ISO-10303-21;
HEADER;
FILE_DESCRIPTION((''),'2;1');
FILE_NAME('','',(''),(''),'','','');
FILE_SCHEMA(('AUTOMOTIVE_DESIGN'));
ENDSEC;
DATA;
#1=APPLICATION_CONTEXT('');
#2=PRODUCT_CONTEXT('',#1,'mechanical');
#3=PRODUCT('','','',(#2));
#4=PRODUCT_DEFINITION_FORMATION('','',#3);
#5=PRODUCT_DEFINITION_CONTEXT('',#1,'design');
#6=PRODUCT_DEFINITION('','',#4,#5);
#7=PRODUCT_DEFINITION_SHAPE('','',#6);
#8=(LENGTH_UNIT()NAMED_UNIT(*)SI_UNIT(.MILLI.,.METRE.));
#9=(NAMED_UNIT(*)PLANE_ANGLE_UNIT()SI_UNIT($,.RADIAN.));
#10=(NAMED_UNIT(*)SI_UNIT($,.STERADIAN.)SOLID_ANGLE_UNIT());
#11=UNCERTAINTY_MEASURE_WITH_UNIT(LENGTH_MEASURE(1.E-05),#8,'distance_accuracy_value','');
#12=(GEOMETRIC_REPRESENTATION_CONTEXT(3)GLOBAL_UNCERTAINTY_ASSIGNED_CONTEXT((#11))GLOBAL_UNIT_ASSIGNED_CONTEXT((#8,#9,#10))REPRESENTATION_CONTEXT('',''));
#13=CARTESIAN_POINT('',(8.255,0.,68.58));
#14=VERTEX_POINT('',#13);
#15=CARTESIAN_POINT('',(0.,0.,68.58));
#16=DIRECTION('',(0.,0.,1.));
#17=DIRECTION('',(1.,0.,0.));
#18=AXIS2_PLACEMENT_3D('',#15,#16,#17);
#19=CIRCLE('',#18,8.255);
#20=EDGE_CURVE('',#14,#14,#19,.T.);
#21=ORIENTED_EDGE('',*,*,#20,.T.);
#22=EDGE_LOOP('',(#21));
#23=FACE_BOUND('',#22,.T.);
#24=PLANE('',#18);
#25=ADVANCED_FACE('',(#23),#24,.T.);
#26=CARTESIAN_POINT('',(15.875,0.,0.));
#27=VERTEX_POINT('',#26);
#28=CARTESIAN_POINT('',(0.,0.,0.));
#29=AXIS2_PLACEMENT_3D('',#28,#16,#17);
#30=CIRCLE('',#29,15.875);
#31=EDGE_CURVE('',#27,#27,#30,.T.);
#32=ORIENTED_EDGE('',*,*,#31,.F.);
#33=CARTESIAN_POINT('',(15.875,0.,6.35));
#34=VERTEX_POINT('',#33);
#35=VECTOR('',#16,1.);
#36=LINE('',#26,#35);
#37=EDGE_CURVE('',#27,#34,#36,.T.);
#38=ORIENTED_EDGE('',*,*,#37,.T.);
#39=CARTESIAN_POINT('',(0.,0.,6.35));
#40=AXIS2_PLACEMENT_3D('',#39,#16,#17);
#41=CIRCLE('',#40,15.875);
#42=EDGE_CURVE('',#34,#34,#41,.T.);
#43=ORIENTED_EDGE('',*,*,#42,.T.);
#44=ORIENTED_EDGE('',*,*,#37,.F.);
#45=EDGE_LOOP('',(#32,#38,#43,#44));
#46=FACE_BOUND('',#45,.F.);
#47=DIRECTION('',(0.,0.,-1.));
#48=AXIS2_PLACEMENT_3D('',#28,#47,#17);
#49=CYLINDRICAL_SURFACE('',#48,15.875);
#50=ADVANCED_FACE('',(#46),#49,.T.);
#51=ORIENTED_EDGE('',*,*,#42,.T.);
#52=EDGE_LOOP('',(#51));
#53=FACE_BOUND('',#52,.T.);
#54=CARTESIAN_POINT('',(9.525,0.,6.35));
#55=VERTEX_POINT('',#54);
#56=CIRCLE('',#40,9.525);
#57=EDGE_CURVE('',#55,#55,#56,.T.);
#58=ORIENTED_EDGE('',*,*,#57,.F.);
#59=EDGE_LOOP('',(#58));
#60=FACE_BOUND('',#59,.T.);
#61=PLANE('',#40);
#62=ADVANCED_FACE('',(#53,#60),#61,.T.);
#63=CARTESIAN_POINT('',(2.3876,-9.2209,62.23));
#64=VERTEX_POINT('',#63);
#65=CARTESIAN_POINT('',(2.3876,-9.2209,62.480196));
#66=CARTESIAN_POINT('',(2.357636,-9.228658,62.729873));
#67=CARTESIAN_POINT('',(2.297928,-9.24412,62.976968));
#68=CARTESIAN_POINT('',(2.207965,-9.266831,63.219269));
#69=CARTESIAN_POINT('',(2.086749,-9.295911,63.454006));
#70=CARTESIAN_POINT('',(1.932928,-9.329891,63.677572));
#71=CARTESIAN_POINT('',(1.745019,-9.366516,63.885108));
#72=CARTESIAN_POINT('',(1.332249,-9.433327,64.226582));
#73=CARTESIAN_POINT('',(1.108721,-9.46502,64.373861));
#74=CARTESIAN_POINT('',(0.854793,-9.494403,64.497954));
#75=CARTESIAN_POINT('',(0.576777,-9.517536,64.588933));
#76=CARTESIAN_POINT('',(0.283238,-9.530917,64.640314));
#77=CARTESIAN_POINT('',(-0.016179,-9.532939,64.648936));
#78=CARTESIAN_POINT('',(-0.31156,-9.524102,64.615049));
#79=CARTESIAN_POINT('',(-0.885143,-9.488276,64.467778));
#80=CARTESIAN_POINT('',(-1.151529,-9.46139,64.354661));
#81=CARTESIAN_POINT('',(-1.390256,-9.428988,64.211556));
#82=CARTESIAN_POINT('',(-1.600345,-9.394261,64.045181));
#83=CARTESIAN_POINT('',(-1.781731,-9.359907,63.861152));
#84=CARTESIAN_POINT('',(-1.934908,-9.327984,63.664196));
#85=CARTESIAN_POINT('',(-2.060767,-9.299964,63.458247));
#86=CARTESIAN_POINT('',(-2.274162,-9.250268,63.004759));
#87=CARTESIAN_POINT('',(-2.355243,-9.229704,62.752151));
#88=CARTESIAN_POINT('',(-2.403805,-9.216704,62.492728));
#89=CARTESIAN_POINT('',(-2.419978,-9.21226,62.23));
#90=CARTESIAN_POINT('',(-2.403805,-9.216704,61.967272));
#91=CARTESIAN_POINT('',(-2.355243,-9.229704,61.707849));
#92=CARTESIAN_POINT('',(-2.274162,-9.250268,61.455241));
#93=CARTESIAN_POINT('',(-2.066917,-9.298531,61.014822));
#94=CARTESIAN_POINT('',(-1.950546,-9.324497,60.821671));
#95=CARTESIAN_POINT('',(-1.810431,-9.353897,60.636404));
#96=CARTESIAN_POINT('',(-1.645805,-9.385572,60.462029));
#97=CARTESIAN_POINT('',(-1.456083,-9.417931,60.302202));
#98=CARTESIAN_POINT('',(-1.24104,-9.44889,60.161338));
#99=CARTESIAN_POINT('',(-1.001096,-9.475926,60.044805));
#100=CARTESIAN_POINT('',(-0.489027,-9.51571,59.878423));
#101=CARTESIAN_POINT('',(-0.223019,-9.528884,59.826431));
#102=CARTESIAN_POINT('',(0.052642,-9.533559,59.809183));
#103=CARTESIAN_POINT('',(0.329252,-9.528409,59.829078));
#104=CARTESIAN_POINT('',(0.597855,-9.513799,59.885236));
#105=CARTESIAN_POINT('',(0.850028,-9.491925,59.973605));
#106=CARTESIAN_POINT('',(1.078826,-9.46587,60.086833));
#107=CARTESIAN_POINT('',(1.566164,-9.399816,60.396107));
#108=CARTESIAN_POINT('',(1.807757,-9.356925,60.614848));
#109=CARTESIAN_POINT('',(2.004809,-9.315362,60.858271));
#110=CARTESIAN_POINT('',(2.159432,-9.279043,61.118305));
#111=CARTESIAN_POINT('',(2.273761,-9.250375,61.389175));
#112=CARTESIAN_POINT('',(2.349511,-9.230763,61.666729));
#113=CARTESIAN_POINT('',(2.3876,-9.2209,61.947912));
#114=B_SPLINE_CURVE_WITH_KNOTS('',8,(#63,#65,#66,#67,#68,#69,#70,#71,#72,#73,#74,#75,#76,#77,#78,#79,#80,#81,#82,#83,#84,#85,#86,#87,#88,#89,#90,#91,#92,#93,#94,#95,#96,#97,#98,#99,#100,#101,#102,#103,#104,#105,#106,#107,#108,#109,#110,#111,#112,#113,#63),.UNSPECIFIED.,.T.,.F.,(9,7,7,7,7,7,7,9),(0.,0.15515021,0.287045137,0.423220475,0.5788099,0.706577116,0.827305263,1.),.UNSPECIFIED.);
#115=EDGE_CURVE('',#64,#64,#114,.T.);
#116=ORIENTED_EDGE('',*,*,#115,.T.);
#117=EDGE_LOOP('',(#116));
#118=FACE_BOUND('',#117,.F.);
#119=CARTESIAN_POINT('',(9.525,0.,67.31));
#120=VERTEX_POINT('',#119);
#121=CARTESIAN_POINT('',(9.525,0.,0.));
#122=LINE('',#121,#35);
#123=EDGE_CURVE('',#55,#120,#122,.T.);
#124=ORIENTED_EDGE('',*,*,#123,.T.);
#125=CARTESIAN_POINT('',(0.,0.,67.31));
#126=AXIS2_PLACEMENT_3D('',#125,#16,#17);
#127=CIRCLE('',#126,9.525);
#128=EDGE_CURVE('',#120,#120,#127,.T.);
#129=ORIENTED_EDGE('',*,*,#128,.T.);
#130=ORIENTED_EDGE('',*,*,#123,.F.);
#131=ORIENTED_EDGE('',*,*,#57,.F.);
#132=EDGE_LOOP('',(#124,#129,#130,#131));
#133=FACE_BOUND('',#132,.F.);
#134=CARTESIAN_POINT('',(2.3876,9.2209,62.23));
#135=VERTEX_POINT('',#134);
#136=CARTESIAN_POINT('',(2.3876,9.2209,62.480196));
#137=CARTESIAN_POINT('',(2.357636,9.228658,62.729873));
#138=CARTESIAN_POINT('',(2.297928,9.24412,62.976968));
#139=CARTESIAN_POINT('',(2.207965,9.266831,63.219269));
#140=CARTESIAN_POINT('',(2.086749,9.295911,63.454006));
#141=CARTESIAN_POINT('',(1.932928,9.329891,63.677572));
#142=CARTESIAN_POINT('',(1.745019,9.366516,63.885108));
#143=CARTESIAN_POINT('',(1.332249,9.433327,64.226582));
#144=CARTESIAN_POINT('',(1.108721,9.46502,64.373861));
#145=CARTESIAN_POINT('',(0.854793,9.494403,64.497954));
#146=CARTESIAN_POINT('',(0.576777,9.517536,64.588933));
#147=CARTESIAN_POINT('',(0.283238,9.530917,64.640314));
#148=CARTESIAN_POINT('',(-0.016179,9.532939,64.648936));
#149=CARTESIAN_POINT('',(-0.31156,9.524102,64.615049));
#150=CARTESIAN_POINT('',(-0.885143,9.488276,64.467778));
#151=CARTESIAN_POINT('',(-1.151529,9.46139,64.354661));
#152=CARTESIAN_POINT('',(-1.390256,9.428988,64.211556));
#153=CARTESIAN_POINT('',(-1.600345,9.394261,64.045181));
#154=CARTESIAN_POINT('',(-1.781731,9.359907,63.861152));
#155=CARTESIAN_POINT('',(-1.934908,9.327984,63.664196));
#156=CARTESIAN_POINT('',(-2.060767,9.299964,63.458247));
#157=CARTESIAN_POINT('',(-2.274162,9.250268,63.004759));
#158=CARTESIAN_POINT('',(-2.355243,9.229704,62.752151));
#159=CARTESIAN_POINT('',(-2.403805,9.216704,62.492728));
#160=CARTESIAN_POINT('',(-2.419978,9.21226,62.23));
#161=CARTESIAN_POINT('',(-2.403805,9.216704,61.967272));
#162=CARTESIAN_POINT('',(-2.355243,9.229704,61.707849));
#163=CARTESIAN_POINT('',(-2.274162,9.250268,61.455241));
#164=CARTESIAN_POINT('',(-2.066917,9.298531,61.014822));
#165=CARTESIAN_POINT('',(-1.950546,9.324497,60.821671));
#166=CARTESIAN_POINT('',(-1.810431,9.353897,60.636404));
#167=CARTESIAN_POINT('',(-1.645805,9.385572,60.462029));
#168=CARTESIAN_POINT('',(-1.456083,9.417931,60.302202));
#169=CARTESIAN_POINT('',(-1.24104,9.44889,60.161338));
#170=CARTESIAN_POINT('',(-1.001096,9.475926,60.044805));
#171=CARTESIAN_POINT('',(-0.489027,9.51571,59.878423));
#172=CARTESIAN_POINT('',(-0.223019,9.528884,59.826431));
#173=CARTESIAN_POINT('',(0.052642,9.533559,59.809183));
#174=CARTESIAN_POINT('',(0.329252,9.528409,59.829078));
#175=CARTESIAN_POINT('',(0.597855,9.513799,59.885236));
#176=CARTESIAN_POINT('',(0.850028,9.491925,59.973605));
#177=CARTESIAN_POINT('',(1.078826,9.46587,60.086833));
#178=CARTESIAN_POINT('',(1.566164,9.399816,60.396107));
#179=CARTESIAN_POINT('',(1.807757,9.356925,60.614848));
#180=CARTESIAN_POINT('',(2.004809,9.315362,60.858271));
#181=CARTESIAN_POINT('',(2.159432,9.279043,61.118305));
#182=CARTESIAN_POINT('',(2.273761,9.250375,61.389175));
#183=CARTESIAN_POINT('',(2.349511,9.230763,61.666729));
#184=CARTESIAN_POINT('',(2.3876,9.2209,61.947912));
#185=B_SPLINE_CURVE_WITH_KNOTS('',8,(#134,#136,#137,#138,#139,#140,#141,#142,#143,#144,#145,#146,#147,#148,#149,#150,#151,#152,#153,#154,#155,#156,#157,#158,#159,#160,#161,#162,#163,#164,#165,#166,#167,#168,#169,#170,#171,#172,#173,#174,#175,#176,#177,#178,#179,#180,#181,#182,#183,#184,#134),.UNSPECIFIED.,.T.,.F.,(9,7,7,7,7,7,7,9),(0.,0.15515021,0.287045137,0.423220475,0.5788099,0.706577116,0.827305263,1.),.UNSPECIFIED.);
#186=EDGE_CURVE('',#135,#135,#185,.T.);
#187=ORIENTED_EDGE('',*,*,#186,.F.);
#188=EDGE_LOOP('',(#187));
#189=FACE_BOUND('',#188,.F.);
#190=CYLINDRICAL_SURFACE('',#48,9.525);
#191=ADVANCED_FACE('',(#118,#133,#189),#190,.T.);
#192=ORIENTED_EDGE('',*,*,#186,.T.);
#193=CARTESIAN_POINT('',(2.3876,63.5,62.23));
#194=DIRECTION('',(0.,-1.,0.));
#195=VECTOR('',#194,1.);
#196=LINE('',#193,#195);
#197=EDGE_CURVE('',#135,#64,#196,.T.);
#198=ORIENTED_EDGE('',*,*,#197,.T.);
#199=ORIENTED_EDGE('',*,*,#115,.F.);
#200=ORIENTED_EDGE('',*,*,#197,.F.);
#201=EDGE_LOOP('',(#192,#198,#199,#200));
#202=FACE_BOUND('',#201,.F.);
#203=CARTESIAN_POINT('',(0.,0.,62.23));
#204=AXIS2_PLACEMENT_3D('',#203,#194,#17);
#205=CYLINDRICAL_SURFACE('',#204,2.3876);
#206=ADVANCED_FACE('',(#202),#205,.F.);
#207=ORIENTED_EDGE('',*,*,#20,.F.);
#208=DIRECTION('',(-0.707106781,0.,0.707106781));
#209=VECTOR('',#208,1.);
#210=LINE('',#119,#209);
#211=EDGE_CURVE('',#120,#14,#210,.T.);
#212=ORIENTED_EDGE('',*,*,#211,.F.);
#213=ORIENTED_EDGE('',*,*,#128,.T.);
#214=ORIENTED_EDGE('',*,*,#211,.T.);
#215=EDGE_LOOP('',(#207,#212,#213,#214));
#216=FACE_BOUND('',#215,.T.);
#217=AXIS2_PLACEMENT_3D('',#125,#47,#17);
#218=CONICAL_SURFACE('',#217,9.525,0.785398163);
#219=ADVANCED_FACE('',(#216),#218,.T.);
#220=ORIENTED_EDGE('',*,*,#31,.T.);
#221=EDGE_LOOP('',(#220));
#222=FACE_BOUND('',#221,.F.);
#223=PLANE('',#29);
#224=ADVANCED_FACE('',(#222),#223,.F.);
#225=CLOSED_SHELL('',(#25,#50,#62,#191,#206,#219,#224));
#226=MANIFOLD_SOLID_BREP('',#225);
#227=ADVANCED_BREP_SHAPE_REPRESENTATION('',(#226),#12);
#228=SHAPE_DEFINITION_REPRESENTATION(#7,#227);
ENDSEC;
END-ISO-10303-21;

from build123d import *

# Parameters (mm, degrees)
F0_R     = 15.875
F0_R_2   = 9.525
F1_DEPTH = 6.35
F2_DEPTH = 68.58
F3_R     = 2.3876
F4_DEPTH = 63.5
F5_SIZE  = 1.27


with BuildPart() as f1:
    # F0 (on Top) → F1 (new body)
    with BuildSketch(Plane.XY):
        Circle(F0_R)
        Circle(F0_R_2, mode=Mode.SUBTRACT)
    extrude(amount=F1_DEPTH)

    # F0 (on Top) → F2 (join)
    with BuildSketch(Plane.XY):
        Circle(F0_R_2)
    extrude(amount=F2_DEPTH)

    # F3 (on Front) → F4 (cut, symmetric)
    with BuildSketch(Plane.XZ):
        with Locations((0, 62.23)):
            Circle(F3_R)
    extrude(amount=F4_DEPTH, both=True, mode=Mode.SUBTRACT)

    # F5
    f5_edges = [f1.edges().sort_by_distance(p)[0] for p in [
        (-9.525, 0, 68.58),
    ]]
    chamfer(f5_edges, length=F5_SIZE)


solid = f1.part
